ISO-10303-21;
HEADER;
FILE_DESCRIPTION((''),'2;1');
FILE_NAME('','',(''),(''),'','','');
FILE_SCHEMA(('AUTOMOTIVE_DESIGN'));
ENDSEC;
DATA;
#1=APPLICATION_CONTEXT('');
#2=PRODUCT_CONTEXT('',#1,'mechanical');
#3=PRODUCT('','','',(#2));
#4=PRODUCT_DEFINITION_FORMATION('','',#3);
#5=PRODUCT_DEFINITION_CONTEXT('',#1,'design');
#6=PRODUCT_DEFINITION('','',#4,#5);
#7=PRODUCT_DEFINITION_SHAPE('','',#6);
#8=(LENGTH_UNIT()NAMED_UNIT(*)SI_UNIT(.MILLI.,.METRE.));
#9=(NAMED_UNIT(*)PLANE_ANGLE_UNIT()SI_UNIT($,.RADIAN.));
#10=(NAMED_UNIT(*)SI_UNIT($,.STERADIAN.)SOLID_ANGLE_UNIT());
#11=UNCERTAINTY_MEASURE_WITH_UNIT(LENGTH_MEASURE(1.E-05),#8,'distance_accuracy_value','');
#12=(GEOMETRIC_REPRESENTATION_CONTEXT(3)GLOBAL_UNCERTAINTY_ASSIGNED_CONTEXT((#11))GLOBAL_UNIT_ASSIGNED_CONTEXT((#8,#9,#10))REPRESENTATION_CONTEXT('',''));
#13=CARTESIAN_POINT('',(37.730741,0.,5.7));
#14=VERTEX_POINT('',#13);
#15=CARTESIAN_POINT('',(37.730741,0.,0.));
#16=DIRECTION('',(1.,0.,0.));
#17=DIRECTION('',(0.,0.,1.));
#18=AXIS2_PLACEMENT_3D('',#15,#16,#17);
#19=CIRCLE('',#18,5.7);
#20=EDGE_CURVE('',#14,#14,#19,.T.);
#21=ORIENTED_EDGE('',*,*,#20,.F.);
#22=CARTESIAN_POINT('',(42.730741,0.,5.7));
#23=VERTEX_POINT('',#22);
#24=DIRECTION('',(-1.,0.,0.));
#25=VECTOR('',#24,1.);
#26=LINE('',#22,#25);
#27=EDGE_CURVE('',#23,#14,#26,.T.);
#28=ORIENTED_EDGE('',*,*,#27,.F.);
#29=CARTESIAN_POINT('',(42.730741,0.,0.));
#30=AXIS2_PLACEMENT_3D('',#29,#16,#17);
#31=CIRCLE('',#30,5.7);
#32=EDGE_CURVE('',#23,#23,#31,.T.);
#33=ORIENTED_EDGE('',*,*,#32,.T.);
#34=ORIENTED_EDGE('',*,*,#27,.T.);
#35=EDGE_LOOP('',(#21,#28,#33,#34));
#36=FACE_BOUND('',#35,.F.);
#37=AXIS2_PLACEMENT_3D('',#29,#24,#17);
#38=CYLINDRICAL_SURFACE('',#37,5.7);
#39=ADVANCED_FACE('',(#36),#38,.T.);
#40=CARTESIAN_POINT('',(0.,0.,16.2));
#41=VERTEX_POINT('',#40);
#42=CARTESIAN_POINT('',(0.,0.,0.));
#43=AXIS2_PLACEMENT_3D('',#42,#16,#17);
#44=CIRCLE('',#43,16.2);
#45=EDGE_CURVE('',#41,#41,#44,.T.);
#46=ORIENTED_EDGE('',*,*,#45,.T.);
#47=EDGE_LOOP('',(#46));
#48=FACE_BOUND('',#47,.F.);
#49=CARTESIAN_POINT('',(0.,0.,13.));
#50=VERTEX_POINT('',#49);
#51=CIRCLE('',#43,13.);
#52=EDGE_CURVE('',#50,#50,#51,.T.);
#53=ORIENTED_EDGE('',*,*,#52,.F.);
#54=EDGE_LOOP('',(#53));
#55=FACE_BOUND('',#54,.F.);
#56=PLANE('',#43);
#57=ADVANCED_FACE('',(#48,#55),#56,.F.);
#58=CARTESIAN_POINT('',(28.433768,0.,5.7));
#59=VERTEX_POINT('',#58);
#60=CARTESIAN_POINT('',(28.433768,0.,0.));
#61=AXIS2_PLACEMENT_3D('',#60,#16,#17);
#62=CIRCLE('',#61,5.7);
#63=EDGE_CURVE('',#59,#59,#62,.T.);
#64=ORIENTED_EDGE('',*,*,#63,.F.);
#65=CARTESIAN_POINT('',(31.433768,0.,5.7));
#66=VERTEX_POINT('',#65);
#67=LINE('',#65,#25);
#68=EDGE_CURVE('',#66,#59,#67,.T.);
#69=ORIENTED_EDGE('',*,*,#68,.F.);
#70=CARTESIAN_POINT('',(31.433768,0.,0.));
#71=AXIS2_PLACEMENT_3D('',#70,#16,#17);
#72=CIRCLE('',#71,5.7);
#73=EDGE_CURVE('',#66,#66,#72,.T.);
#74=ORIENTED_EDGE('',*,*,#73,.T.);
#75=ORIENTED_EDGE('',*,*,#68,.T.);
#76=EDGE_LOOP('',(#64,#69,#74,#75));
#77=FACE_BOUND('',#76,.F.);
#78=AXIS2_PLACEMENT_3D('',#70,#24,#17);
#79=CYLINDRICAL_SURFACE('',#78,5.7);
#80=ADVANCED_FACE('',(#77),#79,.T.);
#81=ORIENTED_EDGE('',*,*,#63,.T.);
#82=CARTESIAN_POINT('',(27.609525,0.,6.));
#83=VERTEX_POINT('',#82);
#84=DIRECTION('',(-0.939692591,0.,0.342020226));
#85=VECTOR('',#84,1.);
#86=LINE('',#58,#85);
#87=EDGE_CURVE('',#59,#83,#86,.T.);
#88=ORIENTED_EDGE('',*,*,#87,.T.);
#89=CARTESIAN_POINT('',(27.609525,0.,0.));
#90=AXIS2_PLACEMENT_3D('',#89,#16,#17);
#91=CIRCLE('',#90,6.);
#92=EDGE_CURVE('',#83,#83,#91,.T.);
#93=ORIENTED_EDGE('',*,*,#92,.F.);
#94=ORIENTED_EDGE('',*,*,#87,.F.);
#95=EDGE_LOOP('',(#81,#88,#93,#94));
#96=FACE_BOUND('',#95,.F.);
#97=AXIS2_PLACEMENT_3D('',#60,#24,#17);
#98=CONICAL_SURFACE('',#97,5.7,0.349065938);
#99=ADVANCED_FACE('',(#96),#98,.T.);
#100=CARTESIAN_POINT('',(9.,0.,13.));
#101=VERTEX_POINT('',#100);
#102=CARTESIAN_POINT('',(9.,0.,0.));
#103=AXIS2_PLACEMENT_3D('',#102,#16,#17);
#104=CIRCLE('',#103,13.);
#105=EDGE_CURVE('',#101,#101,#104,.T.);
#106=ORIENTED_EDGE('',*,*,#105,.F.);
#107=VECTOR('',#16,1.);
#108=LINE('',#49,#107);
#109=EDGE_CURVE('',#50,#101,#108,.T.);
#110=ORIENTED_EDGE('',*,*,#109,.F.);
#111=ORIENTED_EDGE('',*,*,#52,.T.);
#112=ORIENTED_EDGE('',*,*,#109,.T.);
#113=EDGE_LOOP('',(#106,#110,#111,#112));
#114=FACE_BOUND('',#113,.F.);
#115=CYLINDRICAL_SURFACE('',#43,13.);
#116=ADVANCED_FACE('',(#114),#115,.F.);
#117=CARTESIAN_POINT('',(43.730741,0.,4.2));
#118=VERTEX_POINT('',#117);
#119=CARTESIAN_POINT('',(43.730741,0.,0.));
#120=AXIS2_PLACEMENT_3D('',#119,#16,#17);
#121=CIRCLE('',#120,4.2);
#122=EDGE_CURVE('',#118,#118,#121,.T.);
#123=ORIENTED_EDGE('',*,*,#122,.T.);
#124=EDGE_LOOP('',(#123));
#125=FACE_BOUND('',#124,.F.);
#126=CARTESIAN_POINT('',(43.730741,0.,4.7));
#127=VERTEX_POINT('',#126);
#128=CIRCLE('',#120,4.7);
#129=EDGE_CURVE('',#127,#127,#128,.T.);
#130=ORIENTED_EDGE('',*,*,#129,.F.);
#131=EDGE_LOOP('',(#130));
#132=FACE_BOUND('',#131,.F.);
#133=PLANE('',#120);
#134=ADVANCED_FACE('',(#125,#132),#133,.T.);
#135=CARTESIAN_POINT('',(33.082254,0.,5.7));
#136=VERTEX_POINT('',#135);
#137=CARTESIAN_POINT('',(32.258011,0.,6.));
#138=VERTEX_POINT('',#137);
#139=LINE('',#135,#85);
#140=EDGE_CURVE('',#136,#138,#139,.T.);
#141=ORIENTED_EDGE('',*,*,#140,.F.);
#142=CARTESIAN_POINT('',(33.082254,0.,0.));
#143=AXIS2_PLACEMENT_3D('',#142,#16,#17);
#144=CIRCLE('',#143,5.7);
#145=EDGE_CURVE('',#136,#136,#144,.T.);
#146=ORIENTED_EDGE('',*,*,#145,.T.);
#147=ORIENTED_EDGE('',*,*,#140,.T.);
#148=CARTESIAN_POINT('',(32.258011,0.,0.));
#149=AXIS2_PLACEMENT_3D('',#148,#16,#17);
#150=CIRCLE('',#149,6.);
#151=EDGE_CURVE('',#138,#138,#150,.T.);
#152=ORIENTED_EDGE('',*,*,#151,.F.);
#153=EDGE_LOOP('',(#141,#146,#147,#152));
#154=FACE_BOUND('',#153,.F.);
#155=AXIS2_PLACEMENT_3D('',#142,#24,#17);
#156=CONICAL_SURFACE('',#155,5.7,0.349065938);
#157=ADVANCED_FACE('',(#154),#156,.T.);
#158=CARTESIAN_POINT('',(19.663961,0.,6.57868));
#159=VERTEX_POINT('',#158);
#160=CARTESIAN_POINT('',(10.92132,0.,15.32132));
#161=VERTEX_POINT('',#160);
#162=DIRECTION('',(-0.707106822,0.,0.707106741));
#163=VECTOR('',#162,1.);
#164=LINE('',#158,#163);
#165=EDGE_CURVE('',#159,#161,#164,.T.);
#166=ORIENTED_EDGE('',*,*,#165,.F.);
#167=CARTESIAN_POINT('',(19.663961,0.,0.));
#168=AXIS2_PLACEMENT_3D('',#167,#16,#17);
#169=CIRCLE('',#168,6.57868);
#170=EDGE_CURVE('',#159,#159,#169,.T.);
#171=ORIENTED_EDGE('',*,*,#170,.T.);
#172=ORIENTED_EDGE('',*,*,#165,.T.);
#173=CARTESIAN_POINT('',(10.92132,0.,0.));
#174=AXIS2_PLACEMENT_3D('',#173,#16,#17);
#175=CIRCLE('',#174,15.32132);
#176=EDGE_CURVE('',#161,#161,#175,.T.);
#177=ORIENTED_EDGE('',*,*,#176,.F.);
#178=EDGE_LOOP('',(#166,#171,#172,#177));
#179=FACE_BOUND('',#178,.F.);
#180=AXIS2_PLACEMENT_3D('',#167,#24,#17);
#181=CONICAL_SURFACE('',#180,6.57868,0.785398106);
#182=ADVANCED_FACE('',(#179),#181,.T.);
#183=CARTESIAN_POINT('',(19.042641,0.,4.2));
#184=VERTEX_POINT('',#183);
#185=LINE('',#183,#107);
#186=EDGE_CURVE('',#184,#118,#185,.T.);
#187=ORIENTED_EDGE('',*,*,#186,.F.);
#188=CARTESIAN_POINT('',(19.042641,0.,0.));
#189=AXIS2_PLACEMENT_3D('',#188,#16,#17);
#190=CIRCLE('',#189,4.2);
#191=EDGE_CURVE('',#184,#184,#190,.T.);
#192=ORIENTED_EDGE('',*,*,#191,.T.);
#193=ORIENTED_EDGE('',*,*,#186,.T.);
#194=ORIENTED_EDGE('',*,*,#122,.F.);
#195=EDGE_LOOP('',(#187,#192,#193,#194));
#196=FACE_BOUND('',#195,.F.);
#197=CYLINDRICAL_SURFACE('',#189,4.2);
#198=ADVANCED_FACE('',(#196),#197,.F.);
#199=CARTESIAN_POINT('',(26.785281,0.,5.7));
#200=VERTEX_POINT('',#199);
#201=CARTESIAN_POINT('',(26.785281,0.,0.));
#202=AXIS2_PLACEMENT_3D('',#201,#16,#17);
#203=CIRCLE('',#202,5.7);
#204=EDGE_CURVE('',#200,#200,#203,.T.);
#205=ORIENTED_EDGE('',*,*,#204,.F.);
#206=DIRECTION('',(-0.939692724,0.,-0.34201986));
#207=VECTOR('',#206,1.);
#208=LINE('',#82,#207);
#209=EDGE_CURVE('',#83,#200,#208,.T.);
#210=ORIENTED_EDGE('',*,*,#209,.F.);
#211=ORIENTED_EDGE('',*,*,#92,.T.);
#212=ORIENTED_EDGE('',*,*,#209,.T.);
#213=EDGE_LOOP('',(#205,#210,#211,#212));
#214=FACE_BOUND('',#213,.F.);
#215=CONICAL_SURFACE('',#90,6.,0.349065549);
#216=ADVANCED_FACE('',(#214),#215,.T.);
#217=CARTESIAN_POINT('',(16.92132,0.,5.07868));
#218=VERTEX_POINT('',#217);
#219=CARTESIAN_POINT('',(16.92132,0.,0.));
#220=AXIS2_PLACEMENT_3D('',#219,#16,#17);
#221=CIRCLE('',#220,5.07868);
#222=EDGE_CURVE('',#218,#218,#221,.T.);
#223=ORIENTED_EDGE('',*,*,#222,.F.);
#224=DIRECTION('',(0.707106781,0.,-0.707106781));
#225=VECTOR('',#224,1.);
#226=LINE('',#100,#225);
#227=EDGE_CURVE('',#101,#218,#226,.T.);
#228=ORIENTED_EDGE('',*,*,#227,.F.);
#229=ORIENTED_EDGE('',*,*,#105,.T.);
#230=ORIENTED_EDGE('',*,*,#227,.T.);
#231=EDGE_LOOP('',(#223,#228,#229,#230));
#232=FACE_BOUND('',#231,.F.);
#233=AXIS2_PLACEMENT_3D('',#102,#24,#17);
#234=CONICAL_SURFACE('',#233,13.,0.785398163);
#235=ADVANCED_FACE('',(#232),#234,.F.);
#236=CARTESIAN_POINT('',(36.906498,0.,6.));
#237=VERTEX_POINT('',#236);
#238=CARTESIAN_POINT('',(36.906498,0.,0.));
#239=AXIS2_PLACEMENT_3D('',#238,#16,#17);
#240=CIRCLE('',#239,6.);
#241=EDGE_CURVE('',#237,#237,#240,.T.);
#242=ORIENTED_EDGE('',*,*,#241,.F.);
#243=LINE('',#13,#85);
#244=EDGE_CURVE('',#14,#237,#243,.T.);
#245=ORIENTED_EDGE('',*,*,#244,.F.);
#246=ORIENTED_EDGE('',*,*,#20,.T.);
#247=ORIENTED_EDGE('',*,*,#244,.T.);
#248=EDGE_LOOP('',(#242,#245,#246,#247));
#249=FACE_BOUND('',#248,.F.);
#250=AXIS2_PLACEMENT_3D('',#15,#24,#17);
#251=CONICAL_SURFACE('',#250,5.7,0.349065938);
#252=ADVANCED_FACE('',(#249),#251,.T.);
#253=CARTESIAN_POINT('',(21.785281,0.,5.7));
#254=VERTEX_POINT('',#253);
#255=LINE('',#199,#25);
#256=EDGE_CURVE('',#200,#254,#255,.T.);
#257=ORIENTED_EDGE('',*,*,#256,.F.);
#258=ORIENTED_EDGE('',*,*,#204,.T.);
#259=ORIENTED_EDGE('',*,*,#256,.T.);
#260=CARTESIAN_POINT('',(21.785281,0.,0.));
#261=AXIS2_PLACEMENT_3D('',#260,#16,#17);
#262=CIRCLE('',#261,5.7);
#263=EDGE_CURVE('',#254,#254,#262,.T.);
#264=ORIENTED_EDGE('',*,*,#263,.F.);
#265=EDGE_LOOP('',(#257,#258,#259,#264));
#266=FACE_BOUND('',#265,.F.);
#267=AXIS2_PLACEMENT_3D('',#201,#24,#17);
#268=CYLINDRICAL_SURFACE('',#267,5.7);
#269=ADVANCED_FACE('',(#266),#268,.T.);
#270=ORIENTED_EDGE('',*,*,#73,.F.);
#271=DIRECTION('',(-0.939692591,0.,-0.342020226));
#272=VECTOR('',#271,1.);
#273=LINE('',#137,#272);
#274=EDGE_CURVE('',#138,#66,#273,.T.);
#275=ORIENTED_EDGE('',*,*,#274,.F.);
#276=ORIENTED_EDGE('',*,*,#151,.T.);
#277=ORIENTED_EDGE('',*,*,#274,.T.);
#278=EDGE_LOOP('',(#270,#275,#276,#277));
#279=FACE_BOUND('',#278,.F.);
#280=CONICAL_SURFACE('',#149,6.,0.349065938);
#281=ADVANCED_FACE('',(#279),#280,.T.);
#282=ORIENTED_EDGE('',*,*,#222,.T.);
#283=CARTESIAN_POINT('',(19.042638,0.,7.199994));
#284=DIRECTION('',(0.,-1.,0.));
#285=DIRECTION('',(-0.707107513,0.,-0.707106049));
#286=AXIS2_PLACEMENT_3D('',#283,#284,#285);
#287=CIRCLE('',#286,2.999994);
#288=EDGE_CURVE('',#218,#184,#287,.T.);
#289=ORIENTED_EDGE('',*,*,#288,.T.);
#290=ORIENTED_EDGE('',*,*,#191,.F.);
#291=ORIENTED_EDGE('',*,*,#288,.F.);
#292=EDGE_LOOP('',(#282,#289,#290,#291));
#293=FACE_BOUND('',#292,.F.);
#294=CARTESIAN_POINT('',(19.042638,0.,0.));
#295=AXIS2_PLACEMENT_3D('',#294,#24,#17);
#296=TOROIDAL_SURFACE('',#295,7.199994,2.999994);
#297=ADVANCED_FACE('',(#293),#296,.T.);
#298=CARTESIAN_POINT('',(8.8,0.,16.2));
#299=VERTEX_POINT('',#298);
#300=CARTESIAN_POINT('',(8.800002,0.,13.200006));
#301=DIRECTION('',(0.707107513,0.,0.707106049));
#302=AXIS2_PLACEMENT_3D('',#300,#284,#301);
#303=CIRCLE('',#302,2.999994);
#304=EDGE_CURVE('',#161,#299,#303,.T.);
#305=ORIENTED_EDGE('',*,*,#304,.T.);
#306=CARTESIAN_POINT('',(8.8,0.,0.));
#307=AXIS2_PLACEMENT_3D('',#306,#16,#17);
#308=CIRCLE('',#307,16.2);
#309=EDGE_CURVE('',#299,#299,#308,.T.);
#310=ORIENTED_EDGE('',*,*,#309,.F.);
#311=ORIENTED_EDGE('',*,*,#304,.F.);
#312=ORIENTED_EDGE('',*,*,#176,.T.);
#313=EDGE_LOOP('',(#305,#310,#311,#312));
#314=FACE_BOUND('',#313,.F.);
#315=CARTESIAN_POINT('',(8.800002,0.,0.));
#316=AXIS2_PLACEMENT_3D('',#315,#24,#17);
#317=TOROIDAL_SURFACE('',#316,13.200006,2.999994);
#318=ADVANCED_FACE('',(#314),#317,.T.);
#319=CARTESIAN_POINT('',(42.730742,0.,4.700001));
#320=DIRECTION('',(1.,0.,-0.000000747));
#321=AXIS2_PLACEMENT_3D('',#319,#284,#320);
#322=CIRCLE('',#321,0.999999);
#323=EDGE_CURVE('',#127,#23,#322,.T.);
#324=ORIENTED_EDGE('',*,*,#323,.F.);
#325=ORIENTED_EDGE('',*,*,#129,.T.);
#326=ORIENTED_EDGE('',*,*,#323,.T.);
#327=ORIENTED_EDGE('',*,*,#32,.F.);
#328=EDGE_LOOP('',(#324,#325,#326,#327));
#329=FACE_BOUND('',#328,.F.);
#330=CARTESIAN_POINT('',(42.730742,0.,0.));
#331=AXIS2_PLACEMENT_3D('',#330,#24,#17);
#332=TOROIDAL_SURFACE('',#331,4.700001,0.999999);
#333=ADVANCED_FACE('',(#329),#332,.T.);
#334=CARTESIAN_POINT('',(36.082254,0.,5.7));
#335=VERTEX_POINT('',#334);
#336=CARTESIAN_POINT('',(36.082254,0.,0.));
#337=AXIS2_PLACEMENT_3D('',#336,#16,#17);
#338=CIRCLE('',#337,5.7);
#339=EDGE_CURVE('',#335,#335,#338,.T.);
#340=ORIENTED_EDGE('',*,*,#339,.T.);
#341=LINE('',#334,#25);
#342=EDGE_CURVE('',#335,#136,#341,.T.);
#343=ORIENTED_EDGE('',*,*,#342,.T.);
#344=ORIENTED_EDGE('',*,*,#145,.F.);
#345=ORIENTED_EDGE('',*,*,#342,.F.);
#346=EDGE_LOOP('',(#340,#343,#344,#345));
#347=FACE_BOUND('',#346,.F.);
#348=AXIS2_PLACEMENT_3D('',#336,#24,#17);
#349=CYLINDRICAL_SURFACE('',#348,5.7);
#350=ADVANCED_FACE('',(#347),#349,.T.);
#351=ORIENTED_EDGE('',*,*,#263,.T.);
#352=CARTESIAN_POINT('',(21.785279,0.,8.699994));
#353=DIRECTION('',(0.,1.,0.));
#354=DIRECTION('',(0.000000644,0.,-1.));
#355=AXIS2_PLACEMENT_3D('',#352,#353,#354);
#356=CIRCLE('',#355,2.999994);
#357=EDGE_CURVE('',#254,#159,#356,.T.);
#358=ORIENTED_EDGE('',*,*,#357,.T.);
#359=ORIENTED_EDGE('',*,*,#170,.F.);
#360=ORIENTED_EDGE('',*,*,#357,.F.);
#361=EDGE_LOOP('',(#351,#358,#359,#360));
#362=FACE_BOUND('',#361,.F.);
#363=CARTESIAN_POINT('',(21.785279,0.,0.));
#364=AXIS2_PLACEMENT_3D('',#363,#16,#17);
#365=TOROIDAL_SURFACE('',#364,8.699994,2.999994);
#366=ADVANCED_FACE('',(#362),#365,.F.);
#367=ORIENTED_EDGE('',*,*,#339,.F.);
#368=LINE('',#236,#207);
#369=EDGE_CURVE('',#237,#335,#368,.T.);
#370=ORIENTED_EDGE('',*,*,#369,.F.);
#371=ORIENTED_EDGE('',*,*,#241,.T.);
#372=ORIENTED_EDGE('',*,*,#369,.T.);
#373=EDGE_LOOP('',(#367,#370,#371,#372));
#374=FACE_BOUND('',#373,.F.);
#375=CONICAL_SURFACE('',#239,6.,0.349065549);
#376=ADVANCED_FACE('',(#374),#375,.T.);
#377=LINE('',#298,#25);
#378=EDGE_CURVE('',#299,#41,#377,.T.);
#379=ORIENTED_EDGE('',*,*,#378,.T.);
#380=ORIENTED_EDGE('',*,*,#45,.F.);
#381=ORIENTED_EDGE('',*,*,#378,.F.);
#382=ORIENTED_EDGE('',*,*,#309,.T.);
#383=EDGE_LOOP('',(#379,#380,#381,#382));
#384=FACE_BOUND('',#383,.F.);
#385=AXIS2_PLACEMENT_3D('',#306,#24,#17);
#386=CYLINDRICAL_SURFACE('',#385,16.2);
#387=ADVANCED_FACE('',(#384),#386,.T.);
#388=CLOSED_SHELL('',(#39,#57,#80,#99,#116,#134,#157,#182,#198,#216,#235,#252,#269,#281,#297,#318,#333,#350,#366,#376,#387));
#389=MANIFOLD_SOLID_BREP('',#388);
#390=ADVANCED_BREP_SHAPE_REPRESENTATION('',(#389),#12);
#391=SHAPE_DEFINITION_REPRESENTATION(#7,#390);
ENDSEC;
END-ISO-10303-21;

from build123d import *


with BuildPart() as f1:
    # F0 (on Front) → F1 (revolve)
    with BuildSketch(Plane.XZ):
        with BuildLine():
            Line((0, 16.2), (0, 13))
            Line((0, 13), (9, 13))
            Line((9, 13), (16.92132, 5.07868))
            ThreePointArc((16.92132, 5.07868), (17.89459, 4.428361), (19.042641, 4.2))
            Line((19.042641, 4.2), (43.730741, 4.2))
            Line((43.730741, 4.2), (43.730741, 4.7))
            ThreePointArc((43.730741, 4.7), (43.437848, 5.407107), (42.730741, 5.7))
            Line((42.730741, 5.7), (37.730741, 5.7))
            Line((37.730741, 5.7), (36.906498, 6))
            Line((36.906498, 6), (36.082254, 5.7))
            Line((36.082254, 5.7), (33.082254, 5.7))
            Line((33.082254, 5.7), (32.258011, 6))
            Line((32.258011, 6), (31.433768, 5.7))
            Line((31.433768, 5.7), (28.433768, 5.7))
            Line((28.433768, 5.7), (27.609525, 6))
            Line((27.609525, 6), (26.785281, 5.7))
            Line((26.785281, 5.7), (21.785281, 5.7))
            ThreePointArc((21.785281, 5.7), (20.637231, 5.928361), (19.663961, 6.57868))
            Line((19.663961, 6.57868), (10.92132, 15.32132))
            ThreePointArc((10.92132, 15.32132), (9.94805, 15.971639), (8.8, 16.2))
            Line((8.8, 16.2), (0, 16.2))
        make_face()
    revolve(axis=Axis((21.86537, 0, 0), (1, 0, 0)))


solid = f1.part
